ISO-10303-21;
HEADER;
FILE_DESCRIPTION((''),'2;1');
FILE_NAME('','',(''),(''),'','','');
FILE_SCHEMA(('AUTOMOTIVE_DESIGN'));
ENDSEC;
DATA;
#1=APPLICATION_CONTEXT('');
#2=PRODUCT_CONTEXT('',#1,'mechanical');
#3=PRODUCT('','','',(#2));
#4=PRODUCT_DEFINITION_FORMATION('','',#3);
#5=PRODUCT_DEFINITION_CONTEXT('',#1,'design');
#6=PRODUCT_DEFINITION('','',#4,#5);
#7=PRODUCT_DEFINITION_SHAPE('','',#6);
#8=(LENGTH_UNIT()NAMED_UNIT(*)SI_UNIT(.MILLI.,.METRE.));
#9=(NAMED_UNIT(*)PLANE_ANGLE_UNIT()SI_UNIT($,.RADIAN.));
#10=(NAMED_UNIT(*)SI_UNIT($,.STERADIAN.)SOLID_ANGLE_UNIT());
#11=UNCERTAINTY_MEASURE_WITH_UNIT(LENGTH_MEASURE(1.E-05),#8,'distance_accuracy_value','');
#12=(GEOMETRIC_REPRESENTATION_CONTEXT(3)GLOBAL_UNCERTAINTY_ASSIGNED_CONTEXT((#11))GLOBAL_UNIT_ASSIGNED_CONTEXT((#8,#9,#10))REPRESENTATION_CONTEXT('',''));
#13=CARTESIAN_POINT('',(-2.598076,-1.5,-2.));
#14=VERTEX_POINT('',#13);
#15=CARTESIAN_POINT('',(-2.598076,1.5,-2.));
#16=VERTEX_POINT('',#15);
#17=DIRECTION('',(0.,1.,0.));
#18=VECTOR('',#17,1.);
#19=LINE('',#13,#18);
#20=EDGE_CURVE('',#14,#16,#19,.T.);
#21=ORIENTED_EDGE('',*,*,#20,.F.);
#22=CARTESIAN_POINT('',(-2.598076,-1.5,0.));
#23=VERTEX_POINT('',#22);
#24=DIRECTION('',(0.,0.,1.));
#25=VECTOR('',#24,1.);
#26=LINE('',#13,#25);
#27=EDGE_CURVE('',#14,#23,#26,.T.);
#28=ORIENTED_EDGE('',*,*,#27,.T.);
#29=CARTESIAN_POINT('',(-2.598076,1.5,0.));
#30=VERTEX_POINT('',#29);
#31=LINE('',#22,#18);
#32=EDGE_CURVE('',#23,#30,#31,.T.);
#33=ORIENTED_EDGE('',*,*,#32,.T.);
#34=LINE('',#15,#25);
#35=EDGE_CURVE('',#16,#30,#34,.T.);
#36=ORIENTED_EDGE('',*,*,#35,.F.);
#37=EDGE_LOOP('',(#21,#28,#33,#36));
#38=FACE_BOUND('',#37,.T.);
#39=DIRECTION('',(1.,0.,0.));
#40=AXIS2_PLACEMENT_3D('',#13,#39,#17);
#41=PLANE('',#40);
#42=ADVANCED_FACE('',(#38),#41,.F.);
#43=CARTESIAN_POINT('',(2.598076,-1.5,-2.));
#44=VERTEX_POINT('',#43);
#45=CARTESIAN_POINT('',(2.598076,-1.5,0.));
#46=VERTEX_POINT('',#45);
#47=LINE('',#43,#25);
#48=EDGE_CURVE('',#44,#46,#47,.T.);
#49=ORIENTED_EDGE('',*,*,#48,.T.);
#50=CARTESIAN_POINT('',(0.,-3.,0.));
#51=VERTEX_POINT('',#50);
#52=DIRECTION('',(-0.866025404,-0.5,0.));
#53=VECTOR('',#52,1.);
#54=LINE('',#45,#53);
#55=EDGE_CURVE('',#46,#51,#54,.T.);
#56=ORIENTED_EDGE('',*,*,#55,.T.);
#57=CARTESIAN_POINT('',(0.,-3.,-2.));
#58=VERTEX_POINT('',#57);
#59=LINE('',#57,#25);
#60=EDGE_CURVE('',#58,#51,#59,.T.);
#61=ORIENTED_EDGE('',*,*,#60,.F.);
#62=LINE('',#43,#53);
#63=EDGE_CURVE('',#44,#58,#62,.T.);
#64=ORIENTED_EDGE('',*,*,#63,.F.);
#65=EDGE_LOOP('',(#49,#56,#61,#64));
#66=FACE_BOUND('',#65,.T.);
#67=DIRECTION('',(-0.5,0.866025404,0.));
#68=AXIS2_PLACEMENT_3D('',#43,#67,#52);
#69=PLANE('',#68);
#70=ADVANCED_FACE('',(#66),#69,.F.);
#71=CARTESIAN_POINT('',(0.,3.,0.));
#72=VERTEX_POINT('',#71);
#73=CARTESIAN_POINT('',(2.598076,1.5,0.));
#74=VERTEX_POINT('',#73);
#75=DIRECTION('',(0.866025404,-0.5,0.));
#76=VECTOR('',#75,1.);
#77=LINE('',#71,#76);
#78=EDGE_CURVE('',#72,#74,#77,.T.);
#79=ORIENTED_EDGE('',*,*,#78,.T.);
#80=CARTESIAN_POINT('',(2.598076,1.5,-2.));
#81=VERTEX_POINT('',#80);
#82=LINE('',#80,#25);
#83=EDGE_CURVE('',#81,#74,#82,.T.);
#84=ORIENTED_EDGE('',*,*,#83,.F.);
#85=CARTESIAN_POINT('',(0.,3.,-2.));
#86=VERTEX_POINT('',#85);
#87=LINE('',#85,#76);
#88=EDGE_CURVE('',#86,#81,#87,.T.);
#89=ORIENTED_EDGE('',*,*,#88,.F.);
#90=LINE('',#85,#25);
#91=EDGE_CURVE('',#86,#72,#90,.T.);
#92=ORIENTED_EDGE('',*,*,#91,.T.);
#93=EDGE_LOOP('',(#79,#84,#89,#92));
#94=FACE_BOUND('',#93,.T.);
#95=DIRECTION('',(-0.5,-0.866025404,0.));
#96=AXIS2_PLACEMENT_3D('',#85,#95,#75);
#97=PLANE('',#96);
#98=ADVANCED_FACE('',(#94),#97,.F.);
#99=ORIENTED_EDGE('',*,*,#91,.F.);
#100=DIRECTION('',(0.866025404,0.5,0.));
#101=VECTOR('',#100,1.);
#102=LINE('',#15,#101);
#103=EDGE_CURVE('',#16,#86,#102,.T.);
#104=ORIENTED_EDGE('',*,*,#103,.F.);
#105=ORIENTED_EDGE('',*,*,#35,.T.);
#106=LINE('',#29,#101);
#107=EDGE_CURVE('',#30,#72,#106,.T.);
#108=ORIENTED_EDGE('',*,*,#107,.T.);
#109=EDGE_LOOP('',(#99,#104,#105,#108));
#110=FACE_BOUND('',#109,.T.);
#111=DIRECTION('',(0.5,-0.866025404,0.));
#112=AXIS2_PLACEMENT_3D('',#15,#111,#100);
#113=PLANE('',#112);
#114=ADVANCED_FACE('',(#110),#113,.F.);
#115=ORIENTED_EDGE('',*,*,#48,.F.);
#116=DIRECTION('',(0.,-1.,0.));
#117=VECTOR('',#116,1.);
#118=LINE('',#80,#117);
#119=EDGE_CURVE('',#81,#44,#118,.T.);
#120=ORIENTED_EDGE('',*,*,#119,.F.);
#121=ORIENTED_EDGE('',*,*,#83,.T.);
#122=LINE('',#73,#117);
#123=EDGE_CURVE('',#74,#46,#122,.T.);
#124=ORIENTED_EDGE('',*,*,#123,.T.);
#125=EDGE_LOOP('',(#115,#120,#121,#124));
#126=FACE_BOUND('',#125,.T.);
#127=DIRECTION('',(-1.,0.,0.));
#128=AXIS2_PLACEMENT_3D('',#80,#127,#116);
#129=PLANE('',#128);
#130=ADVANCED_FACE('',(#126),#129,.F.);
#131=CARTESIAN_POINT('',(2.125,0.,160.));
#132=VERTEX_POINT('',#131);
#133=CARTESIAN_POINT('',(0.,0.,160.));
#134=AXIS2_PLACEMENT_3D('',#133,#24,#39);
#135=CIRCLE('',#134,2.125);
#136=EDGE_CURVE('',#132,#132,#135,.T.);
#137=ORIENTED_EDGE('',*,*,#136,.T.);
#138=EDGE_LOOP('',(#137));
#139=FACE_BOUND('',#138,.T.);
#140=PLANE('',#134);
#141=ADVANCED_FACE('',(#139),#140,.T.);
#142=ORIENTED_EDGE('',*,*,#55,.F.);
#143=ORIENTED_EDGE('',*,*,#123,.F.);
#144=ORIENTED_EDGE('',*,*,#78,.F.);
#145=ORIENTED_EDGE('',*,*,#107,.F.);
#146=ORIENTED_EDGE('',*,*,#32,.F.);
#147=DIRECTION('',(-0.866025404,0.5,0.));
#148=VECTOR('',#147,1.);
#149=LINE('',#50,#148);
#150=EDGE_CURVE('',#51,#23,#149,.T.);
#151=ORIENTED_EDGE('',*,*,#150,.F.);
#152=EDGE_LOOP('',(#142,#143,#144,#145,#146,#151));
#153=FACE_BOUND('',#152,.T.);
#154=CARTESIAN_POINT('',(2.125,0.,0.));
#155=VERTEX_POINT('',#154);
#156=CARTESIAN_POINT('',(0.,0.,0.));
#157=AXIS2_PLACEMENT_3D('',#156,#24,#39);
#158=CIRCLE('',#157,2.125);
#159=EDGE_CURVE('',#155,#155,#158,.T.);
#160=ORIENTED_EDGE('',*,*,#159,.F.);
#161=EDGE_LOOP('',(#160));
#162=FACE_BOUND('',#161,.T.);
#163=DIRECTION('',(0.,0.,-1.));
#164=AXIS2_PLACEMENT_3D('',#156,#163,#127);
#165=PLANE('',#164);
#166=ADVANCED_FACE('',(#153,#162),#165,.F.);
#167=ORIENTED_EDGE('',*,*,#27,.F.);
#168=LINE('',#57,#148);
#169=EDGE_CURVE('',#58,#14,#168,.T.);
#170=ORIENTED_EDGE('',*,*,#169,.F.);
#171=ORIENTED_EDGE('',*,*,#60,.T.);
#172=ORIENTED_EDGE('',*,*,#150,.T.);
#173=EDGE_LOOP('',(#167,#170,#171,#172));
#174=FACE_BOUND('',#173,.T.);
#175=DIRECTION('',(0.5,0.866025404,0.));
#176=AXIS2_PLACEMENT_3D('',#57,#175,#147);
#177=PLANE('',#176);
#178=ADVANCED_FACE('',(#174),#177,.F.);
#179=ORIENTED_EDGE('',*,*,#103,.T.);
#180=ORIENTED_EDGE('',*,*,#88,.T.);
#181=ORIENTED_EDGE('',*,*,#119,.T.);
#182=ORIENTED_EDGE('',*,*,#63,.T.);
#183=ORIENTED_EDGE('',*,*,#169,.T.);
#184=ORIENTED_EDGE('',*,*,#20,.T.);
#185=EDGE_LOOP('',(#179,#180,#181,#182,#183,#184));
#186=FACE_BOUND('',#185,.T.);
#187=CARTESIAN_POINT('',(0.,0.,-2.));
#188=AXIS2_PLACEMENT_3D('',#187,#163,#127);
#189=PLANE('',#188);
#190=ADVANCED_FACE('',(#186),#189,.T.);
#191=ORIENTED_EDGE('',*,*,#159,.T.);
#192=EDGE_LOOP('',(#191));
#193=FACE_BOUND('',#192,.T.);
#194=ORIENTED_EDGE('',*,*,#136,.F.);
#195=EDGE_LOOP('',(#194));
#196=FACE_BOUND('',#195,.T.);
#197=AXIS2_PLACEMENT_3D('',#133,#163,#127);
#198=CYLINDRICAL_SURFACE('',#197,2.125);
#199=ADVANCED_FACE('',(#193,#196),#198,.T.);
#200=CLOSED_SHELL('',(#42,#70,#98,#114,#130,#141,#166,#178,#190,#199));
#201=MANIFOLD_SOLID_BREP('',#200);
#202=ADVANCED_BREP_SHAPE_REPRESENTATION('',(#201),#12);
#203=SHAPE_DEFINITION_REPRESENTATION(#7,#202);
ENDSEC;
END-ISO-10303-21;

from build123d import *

# Parameters (mm, degrees)
SKETCH2_R           = 2.125
BOSS_EXTRUDE1_DEPTH = 160
BOSS_EXTRUDE2_DEPTH = 2


with BuildPart() as part:
    # Sketch2 → Boss-Extrude1 (new body)
    with BuildSketch(Plane.XY):
        Circle(SKETCH2_R)
    extrude(amount=BOSS_EXTRUDE1_DEPTH)

    # Sketch3 → Boss-Extrude2 (add)
    with BuildSketch(Plane(origin=(0, 0, 0), x_dir=(-1, 0, 0), z_dir=(0, 0, -1))):
        Polygon((0, 3), (-2.598076211, 1.5), (-2.598076211, -1.5), (0, -3), (2.598076211, -1.5), (2.598076211, 1.5), align=None)
    extrude(amount=BOSS_EXTRUDE2_DEPTH)


solid = part.part
